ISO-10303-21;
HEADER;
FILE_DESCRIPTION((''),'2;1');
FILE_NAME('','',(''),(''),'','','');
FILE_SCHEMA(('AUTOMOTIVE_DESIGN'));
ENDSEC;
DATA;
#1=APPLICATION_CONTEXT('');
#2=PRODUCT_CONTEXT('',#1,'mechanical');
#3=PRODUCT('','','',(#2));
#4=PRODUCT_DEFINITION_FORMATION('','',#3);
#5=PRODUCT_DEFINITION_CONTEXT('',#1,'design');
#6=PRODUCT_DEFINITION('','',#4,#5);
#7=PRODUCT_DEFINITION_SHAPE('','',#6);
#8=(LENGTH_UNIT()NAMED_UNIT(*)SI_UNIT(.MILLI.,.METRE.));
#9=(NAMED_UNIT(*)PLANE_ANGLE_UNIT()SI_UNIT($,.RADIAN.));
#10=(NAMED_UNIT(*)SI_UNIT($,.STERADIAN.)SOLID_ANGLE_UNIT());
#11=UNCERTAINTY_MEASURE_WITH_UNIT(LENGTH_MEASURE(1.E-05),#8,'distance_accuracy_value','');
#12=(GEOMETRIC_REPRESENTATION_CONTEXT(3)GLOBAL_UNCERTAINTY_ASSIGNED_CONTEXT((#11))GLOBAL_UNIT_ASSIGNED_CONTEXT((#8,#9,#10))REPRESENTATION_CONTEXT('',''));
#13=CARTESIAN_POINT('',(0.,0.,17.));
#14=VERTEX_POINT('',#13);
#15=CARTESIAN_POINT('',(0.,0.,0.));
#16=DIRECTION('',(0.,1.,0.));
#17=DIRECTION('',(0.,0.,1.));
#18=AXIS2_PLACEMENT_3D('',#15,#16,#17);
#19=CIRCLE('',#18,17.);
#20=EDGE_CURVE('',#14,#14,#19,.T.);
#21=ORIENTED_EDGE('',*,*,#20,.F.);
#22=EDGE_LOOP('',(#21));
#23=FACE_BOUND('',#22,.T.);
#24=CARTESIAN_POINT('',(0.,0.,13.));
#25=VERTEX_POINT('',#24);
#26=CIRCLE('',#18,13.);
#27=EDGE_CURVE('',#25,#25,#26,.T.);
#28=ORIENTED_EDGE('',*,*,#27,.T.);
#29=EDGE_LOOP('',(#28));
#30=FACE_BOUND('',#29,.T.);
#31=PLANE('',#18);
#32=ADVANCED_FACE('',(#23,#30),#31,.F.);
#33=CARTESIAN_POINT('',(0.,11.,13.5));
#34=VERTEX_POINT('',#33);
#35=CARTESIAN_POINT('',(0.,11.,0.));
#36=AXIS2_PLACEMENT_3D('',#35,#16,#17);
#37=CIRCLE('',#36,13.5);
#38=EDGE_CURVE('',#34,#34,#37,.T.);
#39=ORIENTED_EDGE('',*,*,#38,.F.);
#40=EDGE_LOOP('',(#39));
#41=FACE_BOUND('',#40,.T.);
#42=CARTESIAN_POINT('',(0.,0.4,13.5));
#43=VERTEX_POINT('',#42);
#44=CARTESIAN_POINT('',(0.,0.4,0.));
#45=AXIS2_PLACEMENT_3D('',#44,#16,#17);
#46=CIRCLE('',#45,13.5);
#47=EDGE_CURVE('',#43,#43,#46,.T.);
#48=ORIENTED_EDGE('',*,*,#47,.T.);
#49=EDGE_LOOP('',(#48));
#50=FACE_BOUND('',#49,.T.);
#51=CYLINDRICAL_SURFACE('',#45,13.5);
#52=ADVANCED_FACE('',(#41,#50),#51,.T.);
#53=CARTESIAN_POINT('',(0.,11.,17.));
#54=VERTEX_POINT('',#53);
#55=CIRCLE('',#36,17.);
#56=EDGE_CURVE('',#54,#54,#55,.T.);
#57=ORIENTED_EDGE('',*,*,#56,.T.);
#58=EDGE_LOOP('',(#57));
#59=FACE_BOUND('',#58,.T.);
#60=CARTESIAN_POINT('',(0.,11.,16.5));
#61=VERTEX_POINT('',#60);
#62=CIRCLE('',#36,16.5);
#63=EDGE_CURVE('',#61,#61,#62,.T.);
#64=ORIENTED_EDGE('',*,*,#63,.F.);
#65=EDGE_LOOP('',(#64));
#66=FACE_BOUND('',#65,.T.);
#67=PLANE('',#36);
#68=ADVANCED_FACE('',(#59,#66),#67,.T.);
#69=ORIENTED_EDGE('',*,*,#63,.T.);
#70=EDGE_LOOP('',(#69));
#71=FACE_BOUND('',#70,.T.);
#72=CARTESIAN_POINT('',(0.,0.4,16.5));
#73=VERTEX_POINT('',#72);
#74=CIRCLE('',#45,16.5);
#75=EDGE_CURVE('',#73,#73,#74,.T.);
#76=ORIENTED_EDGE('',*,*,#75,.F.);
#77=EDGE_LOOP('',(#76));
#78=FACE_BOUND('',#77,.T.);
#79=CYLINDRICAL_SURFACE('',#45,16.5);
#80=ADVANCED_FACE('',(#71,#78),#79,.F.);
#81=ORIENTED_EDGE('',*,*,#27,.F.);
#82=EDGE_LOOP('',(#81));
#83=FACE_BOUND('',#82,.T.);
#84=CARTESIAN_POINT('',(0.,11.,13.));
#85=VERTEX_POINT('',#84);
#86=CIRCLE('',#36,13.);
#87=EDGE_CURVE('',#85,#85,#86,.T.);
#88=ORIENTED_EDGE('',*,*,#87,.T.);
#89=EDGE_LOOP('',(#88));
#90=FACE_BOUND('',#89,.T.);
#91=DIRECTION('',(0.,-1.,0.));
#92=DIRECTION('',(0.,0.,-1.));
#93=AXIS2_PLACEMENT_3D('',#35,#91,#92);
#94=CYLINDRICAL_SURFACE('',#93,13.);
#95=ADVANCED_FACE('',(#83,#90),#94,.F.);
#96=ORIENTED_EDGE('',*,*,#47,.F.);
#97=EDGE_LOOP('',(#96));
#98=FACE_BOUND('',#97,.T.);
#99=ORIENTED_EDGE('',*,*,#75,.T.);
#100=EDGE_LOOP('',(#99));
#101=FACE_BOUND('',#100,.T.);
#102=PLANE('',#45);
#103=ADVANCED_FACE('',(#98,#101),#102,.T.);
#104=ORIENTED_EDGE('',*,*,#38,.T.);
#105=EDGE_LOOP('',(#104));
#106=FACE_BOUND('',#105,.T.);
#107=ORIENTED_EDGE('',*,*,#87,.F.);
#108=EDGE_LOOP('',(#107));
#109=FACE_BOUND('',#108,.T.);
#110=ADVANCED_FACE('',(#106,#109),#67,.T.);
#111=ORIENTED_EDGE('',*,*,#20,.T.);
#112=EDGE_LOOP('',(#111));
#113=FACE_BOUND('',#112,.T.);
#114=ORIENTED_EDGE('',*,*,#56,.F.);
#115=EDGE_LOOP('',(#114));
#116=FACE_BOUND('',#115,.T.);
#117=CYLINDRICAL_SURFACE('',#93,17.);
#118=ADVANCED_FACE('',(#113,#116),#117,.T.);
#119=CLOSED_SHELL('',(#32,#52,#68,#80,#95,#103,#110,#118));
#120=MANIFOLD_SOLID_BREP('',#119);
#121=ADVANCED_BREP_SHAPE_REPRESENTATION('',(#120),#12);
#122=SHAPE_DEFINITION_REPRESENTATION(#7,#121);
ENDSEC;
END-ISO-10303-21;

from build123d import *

# Parameters (mm, degrees)
SKETCH_1_R          = 17
SKETCH_1_R_2        = 13
EXTRUDE_1_DEPTH     = 11
SKETCH_2_R          = 16.5
SKETCH_2_R_2        = 13.5
CUT_EXTRUDE_1_DEPTH = 10.6


with BuildPart() as part:
    # 草图1 → 凸台-拉伸1 (new body)
    with BuildSketch(Plane(origin=(0, 0, 0), x_dir=(1, 0, 0), z_dir=(0, 1, 0))):
        with Locations(Location((0, 0, 0), (0, 0, 270))):
            Circle(SKETCH_1_R)
        with Locations(Location((0, 0, 0), (0, 0, 270))):
            Circle(SKETCH_1_R_2, mode=Mode.SUBTRACT)
    extrude(amount=EXTRUDE_1_DEPTH)

    # 草图2 → 切除-拉伸1 (cut)
    with BuildSketch(Plane(origin=(0, 11, 0), x_dir=(1, 0, 0), z_dir=(0, 1, 0))):
        with Locations(Location((0, 0, 0), (0, 0, 270))):
            Circle(SKETCH_2_R)
        with Locations(Location((0, 0, 0), (0, 0, 270))):
            Circle(SKETCH_2_R_2, mode=Mode.SUBTRACT)
    extrude(amount=-CUT_EXTRUDE_1_DEPTH, mode=Mode.SUBTRACT)


solid = part.part
